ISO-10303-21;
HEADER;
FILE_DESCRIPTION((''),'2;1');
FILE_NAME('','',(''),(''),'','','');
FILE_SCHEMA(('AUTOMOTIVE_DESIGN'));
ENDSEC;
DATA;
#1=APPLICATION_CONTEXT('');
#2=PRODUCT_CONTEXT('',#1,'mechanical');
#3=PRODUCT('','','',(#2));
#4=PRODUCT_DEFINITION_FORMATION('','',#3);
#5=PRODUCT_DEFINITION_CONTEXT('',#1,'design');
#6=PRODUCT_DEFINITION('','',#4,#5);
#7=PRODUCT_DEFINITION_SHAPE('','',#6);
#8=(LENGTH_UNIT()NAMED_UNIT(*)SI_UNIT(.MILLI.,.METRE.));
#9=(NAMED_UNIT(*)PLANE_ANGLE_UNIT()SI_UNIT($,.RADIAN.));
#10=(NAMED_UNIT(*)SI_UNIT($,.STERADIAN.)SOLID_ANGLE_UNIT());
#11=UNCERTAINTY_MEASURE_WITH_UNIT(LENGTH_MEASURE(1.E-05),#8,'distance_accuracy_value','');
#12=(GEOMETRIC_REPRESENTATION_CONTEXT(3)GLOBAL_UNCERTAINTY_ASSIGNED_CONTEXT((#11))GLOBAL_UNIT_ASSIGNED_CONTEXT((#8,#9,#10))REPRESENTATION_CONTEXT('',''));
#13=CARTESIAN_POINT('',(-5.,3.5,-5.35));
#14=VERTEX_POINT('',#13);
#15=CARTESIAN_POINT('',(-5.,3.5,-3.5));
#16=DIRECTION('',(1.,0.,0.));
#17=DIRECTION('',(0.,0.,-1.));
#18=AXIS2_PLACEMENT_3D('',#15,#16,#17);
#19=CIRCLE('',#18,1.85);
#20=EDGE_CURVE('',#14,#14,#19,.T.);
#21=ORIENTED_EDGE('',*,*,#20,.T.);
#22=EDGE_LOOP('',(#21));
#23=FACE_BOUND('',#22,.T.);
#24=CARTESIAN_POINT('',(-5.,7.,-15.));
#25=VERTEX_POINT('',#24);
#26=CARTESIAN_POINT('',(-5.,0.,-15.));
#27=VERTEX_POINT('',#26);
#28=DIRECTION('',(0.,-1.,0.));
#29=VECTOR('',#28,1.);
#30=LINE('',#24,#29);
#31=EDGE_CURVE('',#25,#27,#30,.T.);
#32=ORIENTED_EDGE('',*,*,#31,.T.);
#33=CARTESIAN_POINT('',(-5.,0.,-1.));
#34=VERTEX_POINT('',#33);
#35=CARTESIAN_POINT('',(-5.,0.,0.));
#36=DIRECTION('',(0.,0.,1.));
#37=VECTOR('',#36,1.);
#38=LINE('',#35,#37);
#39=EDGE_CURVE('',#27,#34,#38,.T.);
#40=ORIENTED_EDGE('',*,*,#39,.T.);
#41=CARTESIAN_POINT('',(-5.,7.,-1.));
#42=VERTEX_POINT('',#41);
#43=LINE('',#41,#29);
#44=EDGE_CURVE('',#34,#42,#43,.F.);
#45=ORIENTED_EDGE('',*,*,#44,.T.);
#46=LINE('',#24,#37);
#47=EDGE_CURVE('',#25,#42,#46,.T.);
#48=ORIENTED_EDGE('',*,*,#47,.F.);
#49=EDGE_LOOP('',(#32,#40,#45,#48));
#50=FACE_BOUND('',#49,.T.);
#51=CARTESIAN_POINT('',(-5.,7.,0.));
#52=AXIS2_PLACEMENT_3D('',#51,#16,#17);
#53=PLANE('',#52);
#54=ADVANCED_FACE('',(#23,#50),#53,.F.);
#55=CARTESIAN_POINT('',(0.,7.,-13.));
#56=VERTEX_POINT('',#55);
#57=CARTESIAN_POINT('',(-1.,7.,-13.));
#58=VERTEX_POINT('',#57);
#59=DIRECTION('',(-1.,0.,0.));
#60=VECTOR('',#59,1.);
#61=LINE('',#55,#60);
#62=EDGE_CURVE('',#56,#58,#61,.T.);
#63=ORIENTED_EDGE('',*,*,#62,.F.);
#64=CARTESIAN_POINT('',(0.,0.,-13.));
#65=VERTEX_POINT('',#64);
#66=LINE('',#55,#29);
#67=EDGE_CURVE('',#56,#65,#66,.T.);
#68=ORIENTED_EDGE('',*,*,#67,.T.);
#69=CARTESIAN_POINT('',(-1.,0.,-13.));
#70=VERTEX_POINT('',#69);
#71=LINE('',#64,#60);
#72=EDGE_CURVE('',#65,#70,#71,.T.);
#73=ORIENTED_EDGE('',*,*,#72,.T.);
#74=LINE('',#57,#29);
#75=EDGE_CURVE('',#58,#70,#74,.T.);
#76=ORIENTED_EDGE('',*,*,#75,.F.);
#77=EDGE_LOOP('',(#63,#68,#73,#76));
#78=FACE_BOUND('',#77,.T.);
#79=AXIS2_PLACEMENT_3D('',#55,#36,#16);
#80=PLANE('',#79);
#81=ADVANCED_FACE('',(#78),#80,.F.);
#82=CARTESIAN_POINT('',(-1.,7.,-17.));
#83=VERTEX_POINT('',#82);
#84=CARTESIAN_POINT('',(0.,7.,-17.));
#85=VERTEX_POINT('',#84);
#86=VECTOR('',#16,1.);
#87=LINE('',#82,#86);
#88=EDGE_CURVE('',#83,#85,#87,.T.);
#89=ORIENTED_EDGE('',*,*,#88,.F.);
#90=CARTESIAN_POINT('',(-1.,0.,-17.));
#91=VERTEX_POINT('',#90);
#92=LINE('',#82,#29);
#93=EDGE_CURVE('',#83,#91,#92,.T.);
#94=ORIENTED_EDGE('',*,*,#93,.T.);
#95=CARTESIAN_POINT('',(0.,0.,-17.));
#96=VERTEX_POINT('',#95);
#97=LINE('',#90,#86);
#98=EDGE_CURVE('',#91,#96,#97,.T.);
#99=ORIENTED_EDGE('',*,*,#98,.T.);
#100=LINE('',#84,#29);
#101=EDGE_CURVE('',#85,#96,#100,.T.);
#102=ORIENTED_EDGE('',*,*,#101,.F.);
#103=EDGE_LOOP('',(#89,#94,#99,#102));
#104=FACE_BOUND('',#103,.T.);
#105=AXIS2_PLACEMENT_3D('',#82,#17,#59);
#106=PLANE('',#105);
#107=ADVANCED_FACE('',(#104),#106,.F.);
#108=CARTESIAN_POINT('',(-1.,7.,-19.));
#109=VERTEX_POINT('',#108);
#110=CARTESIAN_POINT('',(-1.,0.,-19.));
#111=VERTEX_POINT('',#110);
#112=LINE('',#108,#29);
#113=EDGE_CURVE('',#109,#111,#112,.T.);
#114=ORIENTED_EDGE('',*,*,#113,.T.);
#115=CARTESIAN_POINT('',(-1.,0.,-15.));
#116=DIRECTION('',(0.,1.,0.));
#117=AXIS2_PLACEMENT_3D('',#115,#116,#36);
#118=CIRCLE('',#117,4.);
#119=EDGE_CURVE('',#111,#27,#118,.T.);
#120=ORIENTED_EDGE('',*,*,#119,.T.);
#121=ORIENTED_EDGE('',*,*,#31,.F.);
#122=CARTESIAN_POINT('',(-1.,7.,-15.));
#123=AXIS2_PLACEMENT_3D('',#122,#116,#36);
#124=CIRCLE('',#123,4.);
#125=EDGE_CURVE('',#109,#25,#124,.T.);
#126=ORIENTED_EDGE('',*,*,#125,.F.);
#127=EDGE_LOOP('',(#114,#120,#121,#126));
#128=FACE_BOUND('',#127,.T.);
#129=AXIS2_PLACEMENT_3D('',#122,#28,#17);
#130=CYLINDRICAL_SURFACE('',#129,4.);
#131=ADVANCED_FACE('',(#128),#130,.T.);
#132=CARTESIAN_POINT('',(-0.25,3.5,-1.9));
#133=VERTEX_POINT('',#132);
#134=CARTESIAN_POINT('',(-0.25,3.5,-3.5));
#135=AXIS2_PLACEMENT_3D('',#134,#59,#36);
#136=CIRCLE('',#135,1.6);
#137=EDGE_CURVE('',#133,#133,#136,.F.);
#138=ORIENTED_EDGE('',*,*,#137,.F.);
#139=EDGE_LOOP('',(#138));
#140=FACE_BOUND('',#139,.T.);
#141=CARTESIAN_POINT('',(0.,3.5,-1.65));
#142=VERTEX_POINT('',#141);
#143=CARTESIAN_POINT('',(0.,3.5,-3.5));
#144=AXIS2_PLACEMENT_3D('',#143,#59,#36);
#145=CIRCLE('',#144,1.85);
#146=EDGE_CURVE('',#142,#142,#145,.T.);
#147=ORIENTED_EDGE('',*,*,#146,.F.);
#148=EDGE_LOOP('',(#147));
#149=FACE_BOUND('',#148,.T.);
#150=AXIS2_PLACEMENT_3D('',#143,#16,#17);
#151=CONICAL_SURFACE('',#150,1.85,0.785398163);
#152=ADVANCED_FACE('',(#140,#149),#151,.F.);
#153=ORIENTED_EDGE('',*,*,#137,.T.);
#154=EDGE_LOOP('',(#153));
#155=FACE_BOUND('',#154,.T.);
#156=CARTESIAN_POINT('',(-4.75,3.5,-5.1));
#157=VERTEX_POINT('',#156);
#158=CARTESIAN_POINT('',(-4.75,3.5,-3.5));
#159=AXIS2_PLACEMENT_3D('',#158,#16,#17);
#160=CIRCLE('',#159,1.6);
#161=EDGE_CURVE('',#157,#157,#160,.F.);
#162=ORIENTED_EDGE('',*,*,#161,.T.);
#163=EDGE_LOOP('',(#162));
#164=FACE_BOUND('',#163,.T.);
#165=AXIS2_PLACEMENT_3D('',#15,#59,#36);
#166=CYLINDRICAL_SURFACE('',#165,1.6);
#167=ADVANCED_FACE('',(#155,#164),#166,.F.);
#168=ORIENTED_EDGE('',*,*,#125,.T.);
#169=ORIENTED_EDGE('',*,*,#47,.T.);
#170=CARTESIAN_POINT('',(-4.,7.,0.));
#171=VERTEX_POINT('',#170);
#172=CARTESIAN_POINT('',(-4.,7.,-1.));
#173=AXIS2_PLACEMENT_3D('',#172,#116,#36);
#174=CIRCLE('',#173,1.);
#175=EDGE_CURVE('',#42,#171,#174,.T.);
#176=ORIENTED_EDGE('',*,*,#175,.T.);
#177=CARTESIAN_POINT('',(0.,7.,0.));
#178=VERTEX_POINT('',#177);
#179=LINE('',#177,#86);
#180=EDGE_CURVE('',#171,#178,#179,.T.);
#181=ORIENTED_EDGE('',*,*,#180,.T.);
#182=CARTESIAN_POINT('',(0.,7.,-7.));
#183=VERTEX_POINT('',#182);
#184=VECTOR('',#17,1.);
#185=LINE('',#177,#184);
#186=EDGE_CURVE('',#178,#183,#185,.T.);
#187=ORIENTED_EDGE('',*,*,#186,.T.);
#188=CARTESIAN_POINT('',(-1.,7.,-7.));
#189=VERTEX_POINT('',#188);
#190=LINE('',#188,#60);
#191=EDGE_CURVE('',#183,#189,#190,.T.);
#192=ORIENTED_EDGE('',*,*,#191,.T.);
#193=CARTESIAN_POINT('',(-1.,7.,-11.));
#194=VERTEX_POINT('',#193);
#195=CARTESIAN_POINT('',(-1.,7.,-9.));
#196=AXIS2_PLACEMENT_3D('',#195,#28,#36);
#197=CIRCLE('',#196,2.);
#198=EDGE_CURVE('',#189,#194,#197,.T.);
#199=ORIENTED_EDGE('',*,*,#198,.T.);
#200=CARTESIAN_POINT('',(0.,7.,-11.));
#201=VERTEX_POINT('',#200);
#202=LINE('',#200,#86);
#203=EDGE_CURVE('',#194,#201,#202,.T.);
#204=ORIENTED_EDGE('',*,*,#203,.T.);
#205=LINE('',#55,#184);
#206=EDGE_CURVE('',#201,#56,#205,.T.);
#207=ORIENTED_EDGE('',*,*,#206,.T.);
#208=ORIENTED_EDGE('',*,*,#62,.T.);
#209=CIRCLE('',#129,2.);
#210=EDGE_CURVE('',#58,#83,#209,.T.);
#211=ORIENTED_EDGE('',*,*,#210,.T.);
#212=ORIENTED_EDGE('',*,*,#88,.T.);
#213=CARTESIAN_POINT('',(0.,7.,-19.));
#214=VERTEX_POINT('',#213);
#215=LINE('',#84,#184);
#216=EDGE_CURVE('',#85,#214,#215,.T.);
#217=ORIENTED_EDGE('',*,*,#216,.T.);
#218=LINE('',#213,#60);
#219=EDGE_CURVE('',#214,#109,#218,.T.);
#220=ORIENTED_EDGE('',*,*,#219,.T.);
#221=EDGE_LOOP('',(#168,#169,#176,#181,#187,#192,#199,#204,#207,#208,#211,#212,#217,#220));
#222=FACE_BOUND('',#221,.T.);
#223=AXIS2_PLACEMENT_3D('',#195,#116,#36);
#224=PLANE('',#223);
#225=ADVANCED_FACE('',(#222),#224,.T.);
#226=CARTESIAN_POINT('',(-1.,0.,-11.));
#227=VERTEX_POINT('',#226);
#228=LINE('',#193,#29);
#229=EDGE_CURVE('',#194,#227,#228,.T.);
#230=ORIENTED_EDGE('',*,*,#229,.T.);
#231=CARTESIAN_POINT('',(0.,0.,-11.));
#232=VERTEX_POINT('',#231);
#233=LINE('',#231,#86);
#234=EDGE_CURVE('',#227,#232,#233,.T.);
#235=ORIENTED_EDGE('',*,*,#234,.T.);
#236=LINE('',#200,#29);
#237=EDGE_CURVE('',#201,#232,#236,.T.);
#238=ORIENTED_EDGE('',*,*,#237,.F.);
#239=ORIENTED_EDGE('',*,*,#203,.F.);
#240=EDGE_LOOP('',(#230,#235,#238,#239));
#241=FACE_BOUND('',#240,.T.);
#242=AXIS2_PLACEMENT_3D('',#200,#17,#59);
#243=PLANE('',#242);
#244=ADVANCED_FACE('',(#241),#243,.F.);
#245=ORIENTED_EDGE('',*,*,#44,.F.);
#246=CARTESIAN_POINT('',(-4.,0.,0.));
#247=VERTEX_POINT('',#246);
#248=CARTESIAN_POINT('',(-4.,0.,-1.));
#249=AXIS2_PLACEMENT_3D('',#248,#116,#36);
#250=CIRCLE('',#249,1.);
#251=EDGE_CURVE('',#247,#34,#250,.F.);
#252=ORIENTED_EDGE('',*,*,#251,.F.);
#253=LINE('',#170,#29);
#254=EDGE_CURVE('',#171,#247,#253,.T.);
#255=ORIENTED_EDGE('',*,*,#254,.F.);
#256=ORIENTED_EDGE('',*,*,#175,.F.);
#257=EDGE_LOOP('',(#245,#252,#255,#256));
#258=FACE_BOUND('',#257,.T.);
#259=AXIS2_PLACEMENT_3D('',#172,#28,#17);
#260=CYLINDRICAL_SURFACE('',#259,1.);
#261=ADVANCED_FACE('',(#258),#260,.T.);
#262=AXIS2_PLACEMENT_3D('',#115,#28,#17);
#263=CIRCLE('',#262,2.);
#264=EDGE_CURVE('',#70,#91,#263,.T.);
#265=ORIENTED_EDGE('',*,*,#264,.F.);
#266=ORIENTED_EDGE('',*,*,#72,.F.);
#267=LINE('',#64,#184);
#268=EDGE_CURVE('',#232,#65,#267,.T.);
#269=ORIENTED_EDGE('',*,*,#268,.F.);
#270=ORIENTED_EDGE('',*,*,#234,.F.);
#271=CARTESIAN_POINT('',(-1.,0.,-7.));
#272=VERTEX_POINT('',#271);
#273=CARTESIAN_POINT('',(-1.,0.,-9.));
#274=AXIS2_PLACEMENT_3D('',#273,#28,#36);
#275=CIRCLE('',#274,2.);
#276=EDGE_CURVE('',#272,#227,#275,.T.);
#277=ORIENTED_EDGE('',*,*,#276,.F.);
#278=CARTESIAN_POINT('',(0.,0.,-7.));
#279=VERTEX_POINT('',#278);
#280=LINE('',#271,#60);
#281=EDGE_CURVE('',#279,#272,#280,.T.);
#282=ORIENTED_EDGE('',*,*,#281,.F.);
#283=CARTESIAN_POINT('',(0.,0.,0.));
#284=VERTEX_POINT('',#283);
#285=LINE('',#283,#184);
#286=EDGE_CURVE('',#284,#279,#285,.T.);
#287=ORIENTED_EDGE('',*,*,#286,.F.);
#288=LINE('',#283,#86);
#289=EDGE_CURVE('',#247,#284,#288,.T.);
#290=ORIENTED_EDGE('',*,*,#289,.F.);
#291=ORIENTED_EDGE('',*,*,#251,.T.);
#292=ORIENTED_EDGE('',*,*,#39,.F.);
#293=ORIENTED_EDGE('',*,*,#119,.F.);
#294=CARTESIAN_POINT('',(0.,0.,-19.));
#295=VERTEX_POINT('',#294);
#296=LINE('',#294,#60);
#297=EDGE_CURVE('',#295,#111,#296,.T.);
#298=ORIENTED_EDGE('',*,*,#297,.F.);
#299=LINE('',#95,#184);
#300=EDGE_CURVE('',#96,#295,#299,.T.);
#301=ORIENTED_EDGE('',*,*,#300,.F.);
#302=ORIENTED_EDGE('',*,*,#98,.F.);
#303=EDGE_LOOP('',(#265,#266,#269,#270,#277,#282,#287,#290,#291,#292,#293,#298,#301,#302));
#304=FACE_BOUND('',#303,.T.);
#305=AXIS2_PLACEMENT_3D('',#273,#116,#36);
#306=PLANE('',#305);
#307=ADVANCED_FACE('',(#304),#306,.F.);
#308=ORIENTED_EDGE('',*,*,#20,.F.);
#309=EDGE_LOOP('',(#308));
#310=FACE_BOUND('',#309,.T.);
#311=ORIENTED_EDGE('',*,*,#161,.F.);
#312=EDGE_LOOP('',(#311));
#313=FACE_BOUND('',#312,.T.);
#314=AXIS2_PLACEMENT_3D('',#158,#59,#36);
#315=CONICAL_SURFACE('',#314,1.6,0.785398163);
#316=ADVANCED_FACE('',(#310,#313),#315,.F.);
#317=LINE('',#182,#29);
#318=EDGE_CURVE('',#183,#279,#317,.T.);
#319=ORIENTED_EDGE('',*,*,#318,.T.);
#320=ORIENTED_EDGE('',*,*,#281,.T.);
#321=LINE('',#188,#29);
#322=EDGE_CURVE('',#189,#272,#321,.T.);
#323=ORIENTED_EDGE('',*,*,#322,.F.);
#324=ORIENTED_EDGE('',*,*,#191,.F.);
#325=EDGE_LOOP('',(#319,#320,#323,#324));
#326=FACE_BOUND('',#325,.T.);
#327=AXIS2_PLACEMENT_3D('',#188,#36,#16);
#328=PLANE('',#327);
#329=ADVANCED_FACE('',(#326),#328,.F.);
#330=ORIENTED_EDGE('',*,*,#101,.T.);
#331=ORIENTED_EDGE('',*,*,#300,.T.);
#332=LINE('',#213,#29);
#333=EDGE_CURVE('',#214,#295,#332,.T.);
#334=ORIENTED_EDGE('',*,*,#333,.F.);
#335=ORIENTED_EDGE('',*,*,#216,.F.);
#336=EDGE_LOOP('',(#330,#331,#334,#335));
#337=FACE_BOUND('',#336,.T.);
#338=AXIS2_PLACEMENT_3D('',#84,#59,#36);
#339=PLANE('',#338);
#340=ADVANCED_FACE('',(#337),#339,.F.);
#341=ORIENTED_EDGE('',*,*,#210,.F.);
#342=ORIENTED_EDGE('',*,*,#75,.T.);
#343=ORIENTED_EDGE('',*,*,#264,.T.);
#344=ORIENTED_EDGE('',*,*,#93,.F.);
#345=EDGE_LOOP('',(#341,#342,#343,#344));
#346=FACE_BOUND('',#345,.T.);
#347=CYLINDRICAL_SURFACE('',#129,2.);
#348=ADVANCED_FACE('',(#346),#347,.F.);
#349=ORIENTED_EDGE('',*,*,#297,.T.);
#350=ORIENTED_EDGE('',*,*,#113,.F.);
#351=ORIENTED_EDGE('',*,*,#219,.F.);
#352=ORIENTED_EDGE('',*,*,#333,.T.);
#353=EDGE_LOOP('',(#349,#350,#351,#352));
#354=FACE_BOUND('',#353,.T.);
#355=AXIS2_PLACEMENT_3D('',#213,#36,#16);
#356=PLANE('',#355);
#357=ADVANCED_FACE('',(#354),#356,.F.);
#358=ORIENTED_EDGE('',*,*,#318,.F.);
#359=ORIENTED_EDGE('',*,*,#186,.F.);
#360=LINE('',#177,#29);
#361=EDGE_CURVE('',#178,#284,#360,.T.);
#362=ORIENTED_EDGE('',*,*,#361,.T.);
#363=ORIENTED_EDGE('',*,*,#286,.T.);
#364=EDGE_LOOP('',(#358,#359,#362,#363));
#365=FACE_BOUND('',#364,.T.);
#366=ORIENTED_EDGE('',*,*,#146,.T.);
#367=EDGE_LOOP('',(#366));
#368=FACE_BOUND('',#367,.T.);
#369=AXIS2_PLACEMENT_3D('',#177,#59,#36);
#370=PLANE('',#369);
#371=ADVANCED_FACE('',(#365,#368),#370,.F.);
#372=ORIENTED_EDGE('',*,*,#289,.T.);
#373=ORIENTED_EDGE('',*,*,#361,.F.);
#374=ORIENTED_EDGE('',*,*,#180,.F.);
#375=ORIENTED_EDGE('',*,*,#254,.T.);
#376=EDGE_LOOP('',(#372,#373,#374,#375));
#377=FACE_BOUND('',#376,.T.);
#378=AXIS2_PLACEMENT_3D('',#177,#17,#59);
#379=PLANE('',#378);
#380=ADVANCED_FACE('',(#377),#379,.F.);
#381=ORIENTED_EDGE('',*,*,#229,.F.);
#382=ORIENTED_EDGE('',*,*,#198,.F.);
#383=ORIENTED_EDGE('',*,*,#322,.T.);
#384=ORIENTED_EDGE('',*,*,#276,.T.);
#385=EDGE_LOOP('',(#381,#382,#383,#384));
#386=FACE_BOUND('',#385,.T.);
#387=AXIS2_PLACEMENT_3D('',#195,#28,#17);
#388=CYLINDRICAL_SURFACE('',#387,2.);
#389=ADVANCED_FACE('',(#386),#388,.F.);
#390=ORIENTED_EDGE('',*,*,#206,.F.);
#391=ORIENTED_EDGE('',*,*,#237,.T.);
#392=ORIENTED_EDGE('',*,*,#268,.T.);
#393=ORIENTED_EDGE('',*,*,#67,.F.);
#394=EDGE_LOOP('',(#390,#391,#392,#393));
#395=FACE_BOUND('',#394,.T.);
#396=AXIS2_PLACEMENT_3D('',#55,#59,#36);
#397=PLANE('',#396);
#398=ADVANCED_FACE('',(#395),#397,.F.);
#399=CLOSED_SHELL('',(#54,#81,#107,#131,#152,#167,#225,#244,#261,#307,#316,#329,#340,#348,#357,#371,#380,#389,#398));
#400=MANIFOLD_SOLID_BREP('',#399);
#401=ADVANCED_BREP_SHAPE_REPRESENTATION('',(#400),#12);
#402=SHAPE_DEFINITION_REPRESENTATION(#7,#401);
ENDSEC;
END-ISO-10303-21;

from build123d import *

# Parameters (mm, degrees)
BOSS_EXTRUDE1_DEPTH  = 7
M3_CLEARANCE_HOLE1_D = 3.2
CHAMFER2_SIZE        = 0.25
FILLET1_R            = 1


with BuildPart() as part:
    # Sketch1 → Boss-Extrude1 (new body)
    with BuildSketch(Plane(origin=(0, 0, 0), x_dir=(1, 0, 0), z_dir=(0, 1, 0))):
        with BuildLine():
            Line((0, 0), (-5, 0))
            Line((-5, 0), (-5, 9))
            Line((-5, 9), (-5, 15))
            ThreePointArc((-5, 15), (-3.828427125, 17.828427125), (-1, 19))
            Line((-1, 19), (0, 19))
            Line((0, 19), (0, 17))
            Line((0, 17), (-1, 17))
            ThreePointArc((-1, 17), (-3, 15), (-1, 13))
            Line((-1, 13), (0, 13))
            Line((0, 13), (0, 11))
            Line((0, 11), (-1, 11))
            ThreePointArc((-1, 11), (-3, 9), (-1, 7))
            Line((-1, 7), (0, 7))
            Line((0, 7), (0, 0))
        make_face()
    extrude(amount=BOSS_EXTRUDE1_DEPTH)

    # M3 Clearance Hole1 (through all)
    with Locations(Plane.ZY.offset(5)):
        with Locations((-3.5, 3.5)):
            Hole(M3_CLEARANCE_HOLE1_D / 2)

    # Chamfer2
    chamfer2_edges = [part.edges().sort_by_distance(p)[0] for p in [
        (-5, 3.5, -1.9),
        (0, 3.5, -1.9),
    ]]
    chamfer(chamfer2_edges, length=CHAMFER2_SIZE)

    # Fillet1
    fillet1_edges = [part.edges().sort_by_distance(p)[0] for p in [
        (-5, 3.5, 0),
    ]]
    fillet(fillet1_edges, radius=FILLET1_R)


solid = part.part
